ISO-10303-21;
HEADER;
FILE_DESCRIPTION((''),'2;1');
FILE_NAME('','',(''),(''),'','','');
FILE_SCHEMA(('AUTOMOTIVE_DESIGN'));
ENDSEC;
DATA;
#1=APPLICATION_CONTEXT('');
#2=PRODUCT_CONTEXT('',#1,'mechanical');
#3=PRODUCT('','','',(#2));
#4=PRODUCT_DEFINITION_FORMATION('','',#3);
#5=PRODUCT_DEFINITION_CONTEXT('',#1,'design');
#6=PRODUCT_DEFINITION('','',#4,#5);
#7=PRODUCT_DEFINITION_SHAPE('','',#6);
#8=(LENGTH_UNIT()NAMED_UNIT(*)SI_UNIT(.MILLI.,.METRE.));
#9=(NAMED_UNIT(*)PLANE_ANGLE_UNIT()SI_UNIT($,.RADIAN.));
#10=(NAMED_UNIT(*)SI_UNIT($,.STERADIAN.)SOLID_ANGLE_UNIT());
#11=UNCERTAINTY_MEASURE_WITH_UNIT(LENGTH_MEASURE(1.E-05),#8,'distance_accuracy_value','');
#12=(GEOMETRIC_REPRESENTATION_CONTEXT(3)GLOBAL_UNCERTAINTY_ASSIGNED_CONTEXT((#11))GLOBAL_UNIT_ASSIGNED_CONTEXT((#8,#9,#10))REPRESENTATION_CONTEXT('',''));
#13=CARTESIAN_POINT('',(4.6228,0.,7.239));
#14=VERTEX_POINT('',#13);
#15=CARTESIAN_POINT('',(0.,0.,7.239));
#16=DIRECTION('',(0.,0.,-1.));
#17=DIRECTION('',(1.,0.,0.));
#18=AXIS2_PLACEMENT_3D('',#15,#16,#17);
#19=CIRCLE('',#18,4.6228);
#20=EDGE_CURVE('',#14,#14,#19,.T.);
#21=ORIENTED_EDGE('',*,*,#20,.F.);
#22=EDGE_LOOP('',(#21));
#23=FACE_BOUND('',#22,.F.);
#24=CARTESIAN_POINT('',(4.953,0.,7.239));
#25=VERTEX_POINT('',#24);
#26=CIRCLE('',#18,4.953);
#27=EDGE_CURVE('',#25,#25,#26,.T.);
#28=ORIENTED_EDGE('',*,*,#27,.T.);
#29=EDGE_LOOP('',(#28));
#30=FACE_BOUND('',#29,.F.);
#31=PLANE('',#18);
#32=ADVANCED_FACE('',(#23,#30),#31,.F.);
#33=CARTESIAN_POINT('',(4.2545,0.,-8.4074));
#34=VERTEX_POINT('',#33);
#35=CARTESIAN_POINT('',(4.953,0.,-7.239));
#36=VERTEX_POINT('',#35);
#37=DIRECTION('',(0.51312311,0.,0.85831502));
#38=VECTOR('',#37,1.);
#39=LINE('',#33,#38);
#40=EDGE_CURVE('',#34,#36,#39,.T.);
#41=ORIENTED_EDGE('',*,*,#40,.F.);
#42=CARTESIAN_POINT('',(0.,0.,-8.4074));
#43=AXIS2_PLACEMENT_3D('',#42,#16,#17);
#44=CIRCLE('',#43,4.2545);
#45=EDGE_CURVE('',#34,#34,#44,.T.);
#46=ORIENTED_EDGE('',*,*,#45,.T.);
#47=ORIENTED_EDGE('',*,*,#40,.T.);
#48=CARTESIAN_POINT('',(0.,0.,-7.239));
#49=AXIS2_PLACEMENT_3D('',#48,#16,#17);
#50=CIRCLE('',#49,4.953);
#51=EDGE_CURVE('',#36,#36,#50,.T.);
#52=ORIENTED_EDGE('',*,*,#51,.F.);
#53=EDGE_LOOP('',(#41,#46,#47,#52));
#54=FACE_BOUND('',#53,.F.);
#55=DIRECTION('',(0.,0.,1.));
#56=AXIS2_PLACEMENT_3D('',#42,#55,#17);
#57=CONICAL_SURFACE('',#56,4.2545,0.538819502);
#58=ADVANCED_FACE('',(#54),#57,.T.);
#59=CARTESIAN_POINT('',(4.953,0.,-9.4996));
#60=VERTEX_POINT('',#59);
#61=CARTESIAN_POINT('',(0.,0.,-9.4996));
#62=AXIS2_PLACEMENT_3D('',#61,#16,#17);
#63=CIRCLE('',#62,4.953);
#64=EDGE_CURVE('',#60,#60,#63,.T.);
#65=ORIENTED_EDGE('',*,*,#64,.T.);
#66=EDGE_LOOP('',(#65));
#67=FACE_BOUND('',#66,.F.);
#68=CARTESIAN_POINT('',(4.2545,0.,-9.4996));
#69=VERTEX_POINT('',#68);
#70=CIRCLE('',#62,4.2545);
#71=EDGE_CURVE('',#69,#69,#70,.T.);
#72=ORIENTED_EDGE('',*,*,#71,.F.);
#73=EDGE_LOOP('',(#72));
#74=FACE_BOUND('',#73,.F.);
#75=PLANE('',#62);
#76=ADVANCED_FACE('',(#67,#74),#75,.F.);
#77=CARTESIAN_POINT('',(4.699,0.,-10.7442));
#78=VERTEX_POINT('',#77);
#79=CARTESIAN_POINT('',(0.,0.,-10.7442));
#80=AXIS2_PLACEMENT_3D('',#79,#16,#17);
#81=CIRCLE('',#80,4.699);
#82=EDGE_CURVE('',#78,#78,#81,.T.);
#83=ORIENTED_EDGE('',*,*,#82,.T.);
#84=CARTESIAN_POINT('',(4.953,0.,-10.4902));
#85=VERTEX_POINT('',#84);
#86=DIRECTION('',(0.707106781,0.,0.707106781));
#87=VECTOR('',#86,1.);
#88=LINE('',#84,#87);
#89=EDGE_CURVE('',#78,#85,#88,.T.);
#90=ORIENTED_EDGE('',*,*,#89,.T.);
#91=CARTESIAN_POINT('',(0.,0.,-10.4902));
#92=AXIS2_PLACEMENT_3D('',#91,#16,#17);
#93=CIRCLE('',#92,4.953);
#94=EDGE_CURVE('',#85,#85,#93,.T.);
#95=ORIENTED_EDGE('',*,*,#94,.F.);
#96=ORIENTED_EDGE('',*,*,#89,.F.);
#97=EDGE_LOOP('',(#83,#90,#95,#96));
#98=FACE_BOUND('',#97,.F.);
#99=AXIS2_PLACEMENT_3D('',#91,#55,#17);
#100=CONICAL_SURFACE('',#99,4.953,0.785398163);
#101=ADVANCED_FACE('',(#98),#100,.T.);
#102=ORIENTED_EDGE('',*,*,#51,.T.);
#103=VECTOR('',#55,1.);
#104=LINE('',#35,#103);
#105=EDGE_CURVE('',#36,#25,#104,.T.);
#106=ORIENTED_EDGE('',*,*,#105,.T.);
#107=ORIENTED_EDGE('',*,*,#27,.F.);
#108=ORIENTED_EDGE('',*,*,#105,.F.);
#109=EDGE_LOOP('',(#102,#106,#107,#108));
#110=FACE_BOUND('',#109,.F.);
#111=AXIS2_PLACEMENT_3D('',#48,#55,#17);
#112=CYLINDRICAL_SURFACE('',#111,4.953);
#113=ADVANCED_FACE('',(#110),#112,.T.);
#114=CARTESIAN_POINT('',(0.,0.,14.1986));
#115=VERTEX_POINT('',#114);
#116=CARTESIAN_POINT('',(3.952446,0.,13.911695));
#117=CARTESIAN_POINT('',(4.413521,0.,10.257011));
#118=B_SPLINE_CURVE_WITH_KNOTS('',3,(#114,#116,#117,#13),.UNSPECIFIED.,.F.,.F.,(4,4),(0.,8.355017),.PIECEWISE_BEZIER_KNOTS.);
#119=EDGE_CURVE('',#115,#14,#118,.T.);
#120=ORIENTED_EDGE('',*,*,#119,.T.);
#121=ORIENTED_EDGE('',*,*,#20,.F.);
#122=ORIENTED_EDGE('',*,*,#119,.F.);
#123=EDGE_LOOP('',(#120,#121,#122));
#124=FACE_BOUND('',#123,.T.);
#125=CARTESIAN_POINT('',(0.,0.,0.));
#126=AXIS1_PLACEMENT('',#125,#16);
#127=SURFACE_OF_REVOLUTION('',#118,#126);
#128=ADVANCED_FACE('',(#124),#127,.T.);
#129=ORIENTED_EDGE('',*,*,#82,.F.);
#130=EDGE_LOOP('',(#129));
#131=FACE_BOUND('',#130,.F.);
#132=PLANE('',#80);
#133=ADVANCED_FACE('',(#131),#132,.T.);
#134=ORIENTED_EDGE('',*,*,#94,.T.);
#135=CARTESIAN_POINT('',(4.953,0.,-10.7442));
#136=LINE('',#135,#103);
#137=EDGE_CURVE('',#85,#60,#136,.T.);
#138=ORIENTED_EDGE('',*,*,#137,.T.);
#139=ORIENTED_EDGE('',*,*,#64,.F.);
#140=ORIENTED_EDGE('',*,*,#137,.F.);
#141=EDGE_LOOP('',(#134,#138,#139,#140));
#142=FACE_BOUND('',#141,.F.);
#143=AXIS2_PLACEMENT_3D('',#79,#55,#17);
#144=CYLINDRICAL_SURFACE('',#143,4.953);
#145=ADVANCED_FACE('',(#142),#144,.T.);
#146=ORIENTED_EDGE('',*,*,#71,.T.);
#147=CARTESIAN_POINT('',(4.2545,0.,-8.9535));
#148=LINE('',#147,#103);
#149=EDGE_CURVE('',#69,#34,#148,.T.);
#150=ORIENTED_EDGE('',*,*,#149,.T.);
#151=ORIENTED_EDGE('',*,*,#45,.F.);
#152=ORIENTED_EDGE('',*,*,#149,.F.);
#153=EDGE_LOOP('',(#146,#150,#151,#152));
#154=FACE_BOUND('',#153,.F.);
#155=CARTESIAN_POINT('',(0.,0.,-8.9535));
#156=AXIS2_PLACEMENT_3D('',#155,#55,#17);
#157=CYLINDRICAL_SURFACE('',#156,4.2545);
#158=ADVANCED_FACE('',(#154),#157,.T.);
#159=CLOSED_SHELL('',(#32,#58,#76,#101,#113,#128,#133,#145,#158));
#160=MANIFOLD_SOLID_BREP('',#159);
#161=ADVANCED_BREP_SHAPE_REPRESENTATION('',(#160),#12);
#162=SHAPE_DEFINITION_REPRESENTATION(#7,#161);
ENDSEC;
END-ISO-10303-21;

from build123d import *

# Parameters (mm, degrees)
F0_W    = 4.2545
F0_H    = 1.0922
F2_SIZE = 0.254


with BuildPart() as f1:
    # F0 (on Front) → F1 (revolve)
    with BuildSketch(Plane.XZ):
        with BuildLine():
            Line((0, 14.1986), (0, 7.239))
            Line((0, 7.239), (4.6228, 7.239))
            add(Edge.make_bspline(
                [(0, 14.1986), (3.952446, 13.911695), (4.413521, 10.257011), (4.6228, 7.239)],
                knots=[0, 0, 0, 0, 8.355017, 8.355017, 8.355017, 8.355017], degree=3))
        make_face()
        Polygon((0, -7.239), (4.953, -7.239), (4.953, 7.239), (4.6228, 7.239), (0, 7.239), align=None)
        Polygon((4.2545, -8.4074), (4.953, -7.239), (0, -7.239), (0, -8.4074), align=None)
        with Locations((2.12725, -8.9535)):
            Rectangle(F0_W, F0_H)
        Polygon((4.953, -9.4996), (4.2545, -9.4996), (0, -9.4996), (0, -10.7442), (4.953, -10.7442), align=None)
    revolve(axis=Axis((0, 0, 0), (0, 0, -1)))

    # F2
    f2_edges = [f1.edges().sort_by_distance(p)[0] for p in [
        (-4.953, 0, -10.7442),
    ]]
    chamfer(f2_edges, length=F2_SIZE)


solid = f1.part
